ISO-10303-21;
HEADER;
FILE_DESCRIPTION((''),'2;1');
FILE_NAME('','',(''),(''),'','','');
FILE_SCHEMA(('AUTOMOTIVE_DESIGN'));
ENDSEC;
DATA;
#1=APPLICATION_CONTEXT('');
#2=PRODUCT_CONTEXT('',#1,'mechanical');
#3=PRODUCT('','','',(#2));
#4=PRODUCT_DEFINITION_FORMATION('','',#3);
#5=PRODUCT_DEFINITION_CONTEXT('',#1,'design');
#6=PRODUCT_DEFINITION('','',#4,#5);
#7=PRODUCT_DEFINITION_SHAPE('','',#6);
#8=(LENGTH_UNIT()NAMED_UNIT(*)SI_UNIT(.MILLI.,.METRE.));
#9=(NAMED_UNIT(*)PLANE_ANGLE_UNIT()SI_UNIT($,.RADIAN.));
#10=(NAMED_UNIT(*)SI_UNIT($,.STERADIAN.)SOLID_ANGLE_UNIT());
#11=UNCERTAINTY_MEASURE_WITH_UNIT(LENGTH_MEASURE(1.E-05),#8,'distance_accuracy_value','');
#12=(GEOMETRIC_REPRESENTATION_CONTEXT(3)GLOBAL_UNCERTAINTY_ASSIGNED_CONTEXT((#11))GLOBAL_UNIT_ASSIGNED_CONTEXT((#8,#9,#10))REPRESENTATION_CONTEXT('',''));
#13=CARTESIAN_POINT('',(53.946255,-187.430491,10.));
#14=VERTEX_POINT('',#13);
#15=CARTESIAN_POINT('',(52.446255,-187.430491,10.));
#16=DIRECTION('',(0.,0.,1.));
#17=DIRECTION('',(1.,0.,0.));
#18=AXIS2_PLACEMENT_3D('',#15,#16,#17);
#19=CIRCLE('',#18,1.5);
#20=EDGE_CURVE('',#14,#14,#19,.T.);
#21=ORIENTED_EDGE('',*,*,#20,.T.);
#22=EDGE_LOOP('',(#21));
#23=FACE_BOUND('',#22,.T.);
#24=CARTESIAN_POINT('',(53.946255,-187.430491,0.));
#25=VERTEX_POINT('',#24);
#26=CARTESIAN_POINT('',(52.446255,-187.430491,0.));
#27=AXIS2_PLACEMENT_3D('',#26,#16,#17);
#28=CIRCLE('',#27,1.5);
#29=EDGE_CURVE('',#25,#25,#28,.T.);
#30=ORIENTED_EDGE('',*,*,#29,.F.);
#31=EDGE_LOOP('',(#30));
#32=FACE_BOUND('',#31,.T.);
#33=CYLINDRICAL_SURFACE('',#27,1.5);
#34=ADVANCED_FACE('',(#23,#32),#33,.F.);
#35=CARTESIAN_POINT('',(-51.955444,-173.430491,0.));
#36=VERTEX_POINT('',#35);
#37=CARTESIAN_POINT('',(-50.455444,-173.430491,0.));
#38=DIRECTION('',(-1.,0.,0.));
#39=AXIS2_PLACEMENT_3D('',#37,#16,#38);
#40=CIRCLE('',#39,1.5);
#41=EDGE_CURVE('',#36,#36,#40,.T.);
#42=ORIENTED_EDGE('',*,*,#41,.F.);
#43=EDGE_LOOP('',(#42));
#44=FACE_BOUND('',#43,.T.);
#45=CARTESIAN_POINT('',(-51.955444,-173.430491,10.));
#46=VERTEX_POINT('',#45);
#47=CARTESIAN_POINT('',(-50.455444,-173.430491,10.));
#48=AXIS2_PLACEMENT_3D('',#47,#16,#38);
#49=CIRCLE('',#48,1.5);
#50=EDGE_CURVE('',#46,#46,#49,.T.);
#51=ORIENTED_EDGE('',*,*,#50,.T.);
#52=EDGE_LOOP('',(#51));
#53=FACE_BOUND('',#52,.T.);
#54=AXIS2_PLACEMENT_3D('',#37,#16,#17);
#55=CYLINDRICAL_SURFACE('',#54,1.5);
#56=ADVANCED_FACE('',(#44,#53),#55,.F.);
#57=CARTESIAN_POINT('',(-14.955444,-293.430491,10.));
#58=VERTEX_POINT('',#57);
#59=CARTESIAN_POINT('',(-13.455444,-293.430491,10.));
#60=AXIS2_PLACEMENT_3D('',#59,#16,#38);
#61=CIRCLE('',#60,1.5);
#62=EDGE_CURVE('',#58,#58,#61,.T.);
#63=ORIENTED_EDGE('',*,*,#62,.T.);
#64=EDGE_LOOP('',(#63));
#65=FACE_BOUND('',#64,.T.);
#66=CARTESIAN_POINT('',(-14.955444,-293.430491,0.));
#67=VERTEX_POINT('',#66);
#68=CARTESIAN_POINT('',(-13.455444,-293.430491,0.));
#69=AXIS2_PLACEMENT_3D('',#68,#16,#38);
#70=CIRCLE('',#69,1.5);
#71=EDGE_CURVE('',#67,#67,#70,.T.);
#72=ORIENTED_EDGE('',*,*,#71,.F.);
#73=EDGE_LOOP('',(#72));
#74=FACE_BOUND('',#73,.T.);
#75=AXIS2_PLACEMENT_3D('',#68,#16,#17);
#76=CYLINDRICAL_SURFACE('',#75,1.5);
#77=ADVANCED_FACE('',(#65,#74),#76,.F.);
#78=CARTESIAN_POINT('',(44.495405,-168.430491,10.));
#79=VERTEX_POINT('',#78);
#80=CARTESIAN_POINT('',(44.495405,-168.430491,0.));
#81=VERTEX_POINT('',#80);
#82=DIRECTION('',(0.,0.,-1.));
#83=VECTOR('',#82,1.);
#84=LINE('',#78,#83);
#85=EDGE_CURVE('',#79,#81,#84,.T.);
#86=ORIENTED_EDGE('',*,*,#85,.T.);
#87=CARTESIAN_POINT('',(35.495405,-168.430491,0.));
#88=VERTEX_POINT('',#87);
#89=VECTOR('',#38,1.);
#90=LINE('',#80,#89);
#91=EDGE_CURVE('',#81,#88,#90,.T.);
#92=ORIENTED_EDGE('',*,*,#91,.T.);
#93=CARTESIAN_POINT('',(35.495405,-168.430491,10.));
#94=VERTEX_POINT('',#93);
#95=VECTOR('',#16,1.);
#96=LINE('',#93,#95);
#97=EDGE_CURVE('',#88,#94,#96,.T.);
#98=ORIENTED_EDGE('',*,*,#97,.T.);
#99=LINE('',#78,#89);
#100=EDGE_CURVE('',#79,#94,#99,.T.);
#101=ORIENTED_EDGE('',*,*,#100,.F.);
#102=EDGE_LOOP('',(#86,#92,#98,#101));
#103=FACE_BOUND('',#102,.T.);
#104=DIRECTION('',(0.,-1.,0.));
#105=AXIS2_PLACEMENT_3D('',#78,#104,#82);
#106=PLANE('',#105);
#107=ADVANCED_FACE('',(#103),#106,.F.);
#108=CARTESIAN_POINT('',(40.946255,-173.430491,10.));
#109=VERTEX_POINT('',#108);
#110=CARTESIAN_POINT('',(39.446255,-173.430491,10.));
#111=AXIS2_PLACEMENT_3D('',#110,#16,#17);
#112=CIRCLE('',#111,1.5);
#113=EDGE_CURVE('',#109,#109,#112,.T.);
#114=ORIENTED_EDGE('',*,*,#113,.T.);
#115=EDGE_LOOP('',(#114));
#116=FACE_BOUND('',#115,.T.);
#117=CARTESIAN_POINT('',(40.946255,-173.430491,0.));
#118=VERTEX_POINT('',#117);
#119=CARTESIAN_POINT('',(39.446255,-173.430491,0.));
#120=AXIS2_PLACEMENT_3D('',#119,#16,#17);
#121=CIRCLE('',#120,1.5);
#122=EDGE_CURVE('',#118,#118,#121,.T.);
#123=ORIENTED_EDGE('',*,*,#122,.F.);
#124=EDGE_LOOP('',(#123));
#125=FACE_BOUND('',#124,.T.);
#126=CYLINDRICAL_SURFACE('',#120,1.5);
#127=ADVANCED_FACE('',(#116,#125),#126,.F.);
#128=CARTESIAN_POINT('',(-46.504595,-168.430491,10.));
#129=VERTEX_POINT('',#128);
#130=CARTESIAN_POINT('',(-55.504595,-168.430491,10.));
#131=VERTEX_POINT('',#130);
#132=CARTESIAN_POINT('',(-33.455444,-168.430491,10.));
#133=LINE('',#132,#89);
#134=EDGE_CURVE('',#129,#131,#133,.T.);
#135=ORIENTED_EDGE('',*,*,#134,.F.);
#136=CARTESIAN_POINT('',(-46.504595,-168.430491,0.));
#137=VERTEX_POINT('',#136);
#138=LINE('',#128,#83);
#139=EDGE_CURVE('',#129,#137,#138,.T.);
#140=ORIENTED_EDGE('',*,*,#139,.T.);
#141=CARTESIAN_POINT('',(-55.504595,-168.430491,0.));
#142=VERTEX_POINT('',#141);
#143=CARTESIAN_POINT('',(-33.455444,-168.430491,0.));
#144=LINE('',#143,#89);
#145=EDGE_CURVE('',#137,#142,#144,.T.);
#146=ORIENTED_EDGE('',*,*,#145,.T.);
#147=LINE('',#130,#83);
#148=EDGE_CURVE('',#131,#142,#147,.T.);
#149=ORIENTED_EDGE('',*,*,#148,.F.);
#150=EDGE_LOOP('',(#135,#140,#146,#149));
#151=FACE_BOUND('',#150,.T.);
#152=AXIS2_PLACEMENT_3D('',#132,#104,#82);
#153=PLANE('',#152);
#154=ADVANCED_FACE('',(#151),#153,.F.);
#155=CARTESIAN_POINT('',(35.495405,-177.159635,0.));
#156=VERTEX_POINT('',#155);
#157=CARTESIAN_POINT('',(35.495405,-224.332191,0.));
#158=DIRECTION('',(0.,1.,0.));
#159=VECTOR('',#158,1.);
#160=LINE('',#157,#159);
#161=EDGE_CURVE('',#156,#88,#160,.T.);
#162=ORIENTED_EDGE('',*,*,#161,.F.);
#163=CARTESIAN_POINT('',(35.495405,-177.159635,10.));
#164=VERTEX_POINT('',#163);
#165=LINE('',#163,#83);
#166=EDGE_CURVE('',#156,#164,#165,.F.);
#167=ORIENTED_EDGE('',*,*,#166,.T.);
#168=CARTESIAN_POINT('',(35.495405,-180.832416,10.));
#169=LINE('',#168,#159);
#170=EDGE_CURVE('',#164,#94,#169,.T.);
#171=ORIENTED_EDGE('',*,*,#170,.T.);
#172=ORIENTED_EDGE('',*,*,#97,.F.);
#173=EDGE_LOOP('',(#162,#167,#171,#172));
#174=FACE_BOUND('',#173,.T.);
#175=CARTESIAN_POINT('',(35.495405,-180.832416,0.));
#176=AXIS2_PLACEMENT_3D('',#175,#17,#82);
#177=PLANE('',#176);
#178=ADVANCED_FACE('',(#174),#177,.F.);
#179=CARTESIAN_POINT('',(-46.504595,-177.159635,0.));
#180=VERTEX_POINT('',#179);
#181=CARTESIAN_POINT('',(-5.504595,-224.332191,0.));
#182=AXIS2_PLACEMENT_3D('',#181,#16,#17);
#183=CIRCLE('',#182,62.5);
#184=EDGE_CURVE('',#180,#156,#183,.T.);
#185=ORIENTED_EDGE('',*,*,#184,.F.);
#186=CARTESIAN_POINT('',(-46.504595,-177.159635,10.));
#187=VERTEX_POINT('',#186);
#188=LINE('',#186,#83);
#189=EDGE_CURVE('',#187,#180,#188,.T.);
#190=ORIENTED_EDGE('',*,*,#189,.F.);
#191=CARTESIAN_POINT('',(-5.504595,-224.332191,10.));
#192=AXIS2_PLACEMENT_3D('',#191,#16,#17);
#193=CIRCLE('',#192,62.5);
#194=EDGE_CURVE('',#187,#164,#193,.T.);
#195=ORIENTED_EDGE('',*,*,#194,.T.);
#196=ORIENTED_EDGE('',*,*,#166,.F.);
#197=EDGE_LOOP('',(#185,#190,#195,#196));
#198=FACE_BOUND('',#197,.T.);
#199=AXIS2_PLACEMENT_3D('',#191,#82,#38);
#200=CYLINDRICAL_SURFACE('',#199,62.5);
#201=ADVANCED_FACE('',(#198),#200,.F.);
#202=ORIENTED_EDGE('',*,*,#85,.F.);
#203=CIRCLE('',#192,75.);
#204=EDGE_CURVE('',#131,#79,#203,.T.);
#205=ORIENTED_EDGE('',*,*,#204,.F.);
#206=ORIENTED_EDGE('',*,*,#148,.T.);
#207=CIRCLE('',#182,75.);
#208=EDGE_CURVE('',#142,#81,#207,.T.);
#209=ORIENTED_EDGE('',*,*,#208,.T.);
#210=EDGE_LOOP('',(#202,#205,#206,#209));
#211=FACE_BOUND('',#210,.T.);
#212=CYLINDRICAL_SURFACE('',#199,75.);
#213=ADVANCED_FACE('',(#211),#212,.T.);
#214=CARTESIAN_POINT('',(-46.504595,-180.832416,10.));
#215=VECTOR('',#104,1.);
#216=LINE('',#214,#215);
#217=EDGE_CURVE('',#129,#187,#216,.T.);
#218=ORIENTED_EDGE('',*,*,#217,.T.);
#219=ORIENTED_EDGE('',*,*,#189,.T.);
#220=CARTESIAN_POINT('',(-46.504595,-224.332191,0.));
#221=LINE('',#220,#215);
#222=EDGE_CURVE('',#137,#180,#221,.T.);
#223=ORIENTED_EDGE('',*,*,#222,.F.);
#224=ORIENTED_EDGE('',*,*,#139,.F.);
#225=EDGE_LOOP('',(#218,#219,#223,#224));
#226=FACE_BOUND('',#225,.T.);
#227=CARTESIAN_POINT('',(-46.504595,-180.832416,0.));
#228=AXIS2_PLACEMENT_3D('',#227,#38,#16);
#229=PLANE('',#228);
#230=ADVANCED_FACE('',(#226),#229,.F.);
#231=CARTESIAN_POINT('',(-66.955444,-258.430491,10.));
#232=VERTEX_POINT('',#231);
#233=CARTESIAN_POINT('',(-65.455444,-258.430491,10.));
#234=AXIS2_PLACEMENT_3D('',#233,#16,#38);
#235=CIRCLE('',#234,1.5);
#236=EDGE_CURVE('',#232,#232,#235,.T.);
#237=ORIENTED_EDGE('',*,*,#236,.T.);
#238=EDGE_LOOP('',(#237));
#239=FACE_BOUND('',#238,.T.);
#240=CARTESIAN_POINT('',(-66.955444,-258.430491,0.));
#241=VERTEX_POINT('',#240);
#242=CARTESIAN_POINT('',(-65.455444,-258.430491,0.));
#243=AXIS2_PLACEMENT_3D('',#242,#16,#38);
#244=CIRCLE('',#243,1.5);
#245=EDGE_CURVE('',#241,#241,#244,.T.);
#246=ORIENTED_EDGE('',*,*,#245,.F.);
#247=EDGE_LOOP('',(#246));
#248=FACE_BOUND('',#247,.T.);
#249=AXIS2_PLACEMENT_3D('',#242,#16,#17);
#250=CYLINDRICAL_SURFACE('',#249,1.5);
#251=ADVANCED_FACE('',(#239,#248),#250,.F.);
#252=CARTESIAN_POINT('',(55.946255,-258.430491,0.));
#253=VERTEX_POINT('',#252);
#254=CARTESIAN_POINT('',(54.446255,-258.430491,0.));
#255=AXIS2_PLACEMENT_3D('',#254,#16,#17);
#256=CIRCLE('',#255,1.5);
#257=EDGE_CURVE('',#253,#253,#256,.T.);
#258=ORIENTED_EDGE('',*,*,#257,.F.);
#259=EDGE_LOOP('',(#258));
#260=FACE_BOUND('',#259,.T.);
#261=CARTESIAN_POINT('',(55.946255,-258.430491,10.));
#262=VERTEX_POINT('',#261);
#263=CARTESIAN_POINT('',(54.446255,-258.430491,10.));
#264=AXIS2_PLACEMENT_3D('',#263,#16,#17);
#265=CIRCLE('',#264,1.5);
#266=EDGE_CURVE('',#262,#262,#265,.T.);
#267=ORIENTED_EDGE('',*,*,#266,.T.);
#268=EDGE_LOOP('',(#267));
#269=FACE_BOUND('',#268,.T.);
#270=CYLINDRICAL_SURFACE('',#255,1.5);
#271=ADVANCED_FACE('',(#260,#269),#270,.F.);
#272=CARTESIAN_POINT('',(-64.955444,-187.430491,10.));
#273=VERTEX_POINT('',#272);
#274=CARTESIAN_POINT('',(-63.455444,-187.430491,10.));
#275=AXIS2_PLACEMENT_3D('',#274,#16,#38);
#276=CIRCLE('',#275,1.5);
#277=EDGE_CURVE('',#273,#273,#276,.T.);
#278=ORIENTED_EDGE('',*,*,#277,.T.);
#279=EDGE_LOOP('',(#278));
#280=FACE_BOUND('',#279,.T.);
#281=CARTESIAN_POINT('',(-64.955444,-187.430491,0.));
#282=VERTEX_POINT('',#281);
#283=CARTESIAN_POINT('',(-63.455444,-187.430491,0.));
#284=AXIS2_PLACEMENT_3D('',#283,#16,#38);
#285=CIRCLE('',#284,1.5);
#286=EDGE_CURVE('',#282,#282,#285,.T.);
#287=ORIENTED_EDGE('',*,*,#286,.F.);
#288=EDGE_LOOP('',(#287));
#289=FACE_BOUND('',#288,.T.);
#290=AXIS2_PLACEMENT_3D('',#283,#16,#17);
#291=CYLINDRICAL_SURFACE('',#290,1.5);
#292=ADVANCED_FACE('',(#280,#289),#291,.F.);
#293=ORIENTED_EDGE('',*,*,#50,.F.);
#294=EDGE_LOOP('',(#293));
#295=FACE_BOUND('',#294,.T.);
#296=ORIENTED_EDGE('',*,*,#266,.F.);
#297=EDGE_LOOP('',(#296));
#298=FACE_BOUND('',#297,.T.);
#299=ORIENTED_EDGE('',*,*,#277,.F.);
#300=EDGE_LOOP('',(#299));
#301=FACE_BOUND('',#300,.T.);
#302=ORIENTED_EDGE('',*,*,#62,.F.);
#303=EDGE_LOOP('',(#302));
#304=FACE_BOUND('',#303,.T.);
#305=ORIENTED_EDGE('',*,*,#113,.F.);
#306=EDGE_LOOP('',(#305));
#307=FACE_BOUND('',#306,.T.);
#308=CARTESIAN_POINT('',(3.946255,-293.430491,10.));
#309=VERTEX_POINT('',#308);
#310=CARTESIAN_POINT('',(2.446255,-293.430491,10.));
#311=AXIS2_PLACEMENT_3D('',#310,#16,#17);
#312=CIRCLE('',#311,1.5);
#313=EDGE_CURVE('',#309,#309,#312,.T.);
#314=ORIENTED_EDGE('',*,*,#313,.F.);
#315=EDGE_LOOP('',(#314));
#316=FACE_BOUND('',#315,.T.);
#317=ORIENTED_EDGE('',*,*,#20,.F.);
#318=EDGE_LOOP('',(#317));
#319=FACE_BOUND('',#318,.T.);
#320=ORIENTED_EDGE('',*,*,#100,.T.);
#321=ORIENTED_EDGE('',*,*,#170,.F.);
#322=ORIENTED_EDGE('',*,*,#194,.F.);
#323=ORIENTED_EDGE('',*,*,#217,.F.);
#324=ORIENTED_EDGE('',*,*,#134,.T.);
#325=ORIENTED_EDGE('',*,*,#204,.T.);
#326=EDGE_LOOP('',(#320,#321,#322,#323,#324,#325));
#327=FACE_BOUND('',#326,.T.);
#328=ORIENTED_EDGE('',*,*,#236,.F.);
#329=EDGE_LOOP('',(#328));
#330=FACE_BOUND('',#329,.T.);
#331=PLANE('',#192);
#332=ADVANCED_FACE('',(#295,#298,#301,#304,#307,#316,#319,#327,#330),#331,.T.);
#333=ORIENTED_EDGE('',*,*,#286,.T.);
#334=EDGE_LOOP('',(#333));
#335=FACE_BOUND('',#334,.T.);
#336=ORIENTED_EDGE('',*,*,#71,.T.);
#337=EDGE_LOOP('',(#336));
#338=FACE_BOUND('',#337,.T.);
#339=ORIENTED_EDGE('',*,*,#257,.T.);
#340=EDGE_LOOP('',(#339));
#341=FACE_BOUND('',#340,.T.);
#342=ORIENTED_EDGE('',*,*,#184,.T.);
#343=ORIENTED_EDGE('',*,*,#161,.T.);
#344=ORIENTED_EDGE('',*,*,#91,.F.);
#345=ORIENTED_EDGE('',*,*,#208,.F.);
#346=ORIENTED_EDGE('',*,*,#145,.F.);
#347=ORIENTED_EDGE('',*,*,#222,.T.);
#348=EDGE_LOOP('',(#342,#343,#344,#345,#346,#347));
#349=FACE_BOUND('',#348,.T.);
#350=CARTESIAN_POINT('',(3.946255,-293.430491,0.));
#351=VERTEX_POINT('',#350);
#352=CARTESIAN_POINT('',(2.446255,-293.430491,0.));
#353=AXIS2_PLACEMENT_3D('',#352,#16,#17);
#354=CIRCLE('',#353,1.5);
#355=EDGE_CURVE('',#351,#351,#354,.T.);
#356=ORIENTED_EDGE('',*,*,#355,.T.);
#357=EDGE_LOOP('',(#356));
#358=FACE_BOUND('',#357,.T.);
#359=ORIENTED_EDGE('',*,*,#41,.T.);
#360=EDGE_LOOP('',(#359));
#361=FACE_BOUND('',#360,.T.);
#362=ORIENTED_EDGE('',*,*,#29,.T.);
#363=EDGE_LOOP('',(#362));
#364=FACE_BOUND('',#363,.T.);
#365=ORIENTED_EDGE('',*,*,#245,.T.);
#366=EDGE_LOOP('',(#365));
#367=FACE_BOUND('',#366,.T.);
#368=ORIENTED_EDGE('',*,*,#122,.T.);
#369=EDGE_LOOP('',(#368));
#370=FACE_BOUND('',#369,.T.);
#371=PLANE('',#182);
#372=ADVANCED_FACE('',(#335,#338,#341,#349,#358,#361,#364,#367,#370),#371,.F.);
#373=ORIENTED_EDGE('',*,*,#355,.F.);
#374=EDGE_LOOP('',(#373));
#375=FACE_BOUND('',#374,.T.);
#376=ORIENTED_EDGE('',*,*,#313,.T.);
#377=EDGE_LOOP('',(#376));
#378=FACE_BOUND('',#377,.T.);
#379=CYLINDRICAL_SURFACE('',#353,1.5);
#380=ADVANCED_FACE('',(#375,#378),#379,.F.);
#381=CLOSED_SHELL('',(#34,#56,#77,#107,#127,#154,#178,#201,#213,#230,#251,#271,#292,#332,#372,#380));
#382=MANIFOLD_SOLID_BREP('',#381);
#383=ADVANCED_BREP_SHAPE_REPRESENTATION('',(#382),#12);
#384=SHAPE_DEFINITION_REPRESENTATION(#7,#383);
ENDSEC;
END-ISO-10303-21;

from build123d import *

# Parameters (mm, degrees)
RESSALTO_EXTRUS_O1_DEPTH = 10
ESBO_O2_R                = 1.5
CORTE_EXTRUS_O1_DEPTH    = 10
ESBO_O3_W                = 82
ESBO_O3_H                = 21.575786581
CORTE_EXTRUS_O2_DEPTH    = 11


with BuildPart() as part:
    # Esboço1 → Ressalto-extrusão1 (new body)
    with BuildSketch(Plane.XY):
        with BuildLine():
            Line((44.495405461, -168.430491325), (22.44625518, -168.430491325))
            ThreePointArc((22.44625518, -168.430491325), (-5.504594539, -286.832190763), (-33.455444258, -168.430491325))
            Line((-33.455444258, -168.430491325), (-55.504594539, -168.430491325))
            ThreePointArc((-55.504594539, -168.430491325), (-5.504594539, -299.332190763), (44.495405461, -168.430491325))
        make_face()
    extrude(amount=RESSALTO_EXTRUS_O1_DEPTH)

    # Esboço2 → Corte-extrusão1 (cut)
    with BuildSketch(Plane.XY.offset(10)):
        with Locations((39.44625518, -173.430491325)):
            Circle(ESBO_O2_R)
        with Locations((52.44625518, -187.430491325)):
            Circle(ESBO_O2_R)
        with Locations((54.44625518, -258.430491325)):
            Circle(ESBO_O2_R)
        with Locations((-13.455444258, -293.430491325)):
            Circle(ESBO_O2_R)
        with Locations((2.44625518, -293.430491325)):
            Circle(ESBO_O2_R)
        with Locations((-65.455444258, -258.430491325)):
            Circle(ESBO_O2_R)
        with Locations((-63.455444258, -187.430491325)):
            Circle(ESBO_O2_R)
        with Locations((-50.455444258, -173.430491325)):
            Circle(ESBO_O2_R)
    extrude(amount=-CORTE_EXTRUS_O1_DEPTH, mode=Mode.SUBTRACT)

    # Esboço3 → Corte-extrusão2 (cut, through all)
    with BuildSketch(Plane.XY.offset(10)):
        with Locations((-5.504594539, -170.044523075)):
            Rectangle(ESBO_O3_W, ESBO_O3_H)
    extrude(amount=-CORTE_EXTRUS_O2_DEPTH, mode=Mode.SUBTRACT)


solid = part.part
